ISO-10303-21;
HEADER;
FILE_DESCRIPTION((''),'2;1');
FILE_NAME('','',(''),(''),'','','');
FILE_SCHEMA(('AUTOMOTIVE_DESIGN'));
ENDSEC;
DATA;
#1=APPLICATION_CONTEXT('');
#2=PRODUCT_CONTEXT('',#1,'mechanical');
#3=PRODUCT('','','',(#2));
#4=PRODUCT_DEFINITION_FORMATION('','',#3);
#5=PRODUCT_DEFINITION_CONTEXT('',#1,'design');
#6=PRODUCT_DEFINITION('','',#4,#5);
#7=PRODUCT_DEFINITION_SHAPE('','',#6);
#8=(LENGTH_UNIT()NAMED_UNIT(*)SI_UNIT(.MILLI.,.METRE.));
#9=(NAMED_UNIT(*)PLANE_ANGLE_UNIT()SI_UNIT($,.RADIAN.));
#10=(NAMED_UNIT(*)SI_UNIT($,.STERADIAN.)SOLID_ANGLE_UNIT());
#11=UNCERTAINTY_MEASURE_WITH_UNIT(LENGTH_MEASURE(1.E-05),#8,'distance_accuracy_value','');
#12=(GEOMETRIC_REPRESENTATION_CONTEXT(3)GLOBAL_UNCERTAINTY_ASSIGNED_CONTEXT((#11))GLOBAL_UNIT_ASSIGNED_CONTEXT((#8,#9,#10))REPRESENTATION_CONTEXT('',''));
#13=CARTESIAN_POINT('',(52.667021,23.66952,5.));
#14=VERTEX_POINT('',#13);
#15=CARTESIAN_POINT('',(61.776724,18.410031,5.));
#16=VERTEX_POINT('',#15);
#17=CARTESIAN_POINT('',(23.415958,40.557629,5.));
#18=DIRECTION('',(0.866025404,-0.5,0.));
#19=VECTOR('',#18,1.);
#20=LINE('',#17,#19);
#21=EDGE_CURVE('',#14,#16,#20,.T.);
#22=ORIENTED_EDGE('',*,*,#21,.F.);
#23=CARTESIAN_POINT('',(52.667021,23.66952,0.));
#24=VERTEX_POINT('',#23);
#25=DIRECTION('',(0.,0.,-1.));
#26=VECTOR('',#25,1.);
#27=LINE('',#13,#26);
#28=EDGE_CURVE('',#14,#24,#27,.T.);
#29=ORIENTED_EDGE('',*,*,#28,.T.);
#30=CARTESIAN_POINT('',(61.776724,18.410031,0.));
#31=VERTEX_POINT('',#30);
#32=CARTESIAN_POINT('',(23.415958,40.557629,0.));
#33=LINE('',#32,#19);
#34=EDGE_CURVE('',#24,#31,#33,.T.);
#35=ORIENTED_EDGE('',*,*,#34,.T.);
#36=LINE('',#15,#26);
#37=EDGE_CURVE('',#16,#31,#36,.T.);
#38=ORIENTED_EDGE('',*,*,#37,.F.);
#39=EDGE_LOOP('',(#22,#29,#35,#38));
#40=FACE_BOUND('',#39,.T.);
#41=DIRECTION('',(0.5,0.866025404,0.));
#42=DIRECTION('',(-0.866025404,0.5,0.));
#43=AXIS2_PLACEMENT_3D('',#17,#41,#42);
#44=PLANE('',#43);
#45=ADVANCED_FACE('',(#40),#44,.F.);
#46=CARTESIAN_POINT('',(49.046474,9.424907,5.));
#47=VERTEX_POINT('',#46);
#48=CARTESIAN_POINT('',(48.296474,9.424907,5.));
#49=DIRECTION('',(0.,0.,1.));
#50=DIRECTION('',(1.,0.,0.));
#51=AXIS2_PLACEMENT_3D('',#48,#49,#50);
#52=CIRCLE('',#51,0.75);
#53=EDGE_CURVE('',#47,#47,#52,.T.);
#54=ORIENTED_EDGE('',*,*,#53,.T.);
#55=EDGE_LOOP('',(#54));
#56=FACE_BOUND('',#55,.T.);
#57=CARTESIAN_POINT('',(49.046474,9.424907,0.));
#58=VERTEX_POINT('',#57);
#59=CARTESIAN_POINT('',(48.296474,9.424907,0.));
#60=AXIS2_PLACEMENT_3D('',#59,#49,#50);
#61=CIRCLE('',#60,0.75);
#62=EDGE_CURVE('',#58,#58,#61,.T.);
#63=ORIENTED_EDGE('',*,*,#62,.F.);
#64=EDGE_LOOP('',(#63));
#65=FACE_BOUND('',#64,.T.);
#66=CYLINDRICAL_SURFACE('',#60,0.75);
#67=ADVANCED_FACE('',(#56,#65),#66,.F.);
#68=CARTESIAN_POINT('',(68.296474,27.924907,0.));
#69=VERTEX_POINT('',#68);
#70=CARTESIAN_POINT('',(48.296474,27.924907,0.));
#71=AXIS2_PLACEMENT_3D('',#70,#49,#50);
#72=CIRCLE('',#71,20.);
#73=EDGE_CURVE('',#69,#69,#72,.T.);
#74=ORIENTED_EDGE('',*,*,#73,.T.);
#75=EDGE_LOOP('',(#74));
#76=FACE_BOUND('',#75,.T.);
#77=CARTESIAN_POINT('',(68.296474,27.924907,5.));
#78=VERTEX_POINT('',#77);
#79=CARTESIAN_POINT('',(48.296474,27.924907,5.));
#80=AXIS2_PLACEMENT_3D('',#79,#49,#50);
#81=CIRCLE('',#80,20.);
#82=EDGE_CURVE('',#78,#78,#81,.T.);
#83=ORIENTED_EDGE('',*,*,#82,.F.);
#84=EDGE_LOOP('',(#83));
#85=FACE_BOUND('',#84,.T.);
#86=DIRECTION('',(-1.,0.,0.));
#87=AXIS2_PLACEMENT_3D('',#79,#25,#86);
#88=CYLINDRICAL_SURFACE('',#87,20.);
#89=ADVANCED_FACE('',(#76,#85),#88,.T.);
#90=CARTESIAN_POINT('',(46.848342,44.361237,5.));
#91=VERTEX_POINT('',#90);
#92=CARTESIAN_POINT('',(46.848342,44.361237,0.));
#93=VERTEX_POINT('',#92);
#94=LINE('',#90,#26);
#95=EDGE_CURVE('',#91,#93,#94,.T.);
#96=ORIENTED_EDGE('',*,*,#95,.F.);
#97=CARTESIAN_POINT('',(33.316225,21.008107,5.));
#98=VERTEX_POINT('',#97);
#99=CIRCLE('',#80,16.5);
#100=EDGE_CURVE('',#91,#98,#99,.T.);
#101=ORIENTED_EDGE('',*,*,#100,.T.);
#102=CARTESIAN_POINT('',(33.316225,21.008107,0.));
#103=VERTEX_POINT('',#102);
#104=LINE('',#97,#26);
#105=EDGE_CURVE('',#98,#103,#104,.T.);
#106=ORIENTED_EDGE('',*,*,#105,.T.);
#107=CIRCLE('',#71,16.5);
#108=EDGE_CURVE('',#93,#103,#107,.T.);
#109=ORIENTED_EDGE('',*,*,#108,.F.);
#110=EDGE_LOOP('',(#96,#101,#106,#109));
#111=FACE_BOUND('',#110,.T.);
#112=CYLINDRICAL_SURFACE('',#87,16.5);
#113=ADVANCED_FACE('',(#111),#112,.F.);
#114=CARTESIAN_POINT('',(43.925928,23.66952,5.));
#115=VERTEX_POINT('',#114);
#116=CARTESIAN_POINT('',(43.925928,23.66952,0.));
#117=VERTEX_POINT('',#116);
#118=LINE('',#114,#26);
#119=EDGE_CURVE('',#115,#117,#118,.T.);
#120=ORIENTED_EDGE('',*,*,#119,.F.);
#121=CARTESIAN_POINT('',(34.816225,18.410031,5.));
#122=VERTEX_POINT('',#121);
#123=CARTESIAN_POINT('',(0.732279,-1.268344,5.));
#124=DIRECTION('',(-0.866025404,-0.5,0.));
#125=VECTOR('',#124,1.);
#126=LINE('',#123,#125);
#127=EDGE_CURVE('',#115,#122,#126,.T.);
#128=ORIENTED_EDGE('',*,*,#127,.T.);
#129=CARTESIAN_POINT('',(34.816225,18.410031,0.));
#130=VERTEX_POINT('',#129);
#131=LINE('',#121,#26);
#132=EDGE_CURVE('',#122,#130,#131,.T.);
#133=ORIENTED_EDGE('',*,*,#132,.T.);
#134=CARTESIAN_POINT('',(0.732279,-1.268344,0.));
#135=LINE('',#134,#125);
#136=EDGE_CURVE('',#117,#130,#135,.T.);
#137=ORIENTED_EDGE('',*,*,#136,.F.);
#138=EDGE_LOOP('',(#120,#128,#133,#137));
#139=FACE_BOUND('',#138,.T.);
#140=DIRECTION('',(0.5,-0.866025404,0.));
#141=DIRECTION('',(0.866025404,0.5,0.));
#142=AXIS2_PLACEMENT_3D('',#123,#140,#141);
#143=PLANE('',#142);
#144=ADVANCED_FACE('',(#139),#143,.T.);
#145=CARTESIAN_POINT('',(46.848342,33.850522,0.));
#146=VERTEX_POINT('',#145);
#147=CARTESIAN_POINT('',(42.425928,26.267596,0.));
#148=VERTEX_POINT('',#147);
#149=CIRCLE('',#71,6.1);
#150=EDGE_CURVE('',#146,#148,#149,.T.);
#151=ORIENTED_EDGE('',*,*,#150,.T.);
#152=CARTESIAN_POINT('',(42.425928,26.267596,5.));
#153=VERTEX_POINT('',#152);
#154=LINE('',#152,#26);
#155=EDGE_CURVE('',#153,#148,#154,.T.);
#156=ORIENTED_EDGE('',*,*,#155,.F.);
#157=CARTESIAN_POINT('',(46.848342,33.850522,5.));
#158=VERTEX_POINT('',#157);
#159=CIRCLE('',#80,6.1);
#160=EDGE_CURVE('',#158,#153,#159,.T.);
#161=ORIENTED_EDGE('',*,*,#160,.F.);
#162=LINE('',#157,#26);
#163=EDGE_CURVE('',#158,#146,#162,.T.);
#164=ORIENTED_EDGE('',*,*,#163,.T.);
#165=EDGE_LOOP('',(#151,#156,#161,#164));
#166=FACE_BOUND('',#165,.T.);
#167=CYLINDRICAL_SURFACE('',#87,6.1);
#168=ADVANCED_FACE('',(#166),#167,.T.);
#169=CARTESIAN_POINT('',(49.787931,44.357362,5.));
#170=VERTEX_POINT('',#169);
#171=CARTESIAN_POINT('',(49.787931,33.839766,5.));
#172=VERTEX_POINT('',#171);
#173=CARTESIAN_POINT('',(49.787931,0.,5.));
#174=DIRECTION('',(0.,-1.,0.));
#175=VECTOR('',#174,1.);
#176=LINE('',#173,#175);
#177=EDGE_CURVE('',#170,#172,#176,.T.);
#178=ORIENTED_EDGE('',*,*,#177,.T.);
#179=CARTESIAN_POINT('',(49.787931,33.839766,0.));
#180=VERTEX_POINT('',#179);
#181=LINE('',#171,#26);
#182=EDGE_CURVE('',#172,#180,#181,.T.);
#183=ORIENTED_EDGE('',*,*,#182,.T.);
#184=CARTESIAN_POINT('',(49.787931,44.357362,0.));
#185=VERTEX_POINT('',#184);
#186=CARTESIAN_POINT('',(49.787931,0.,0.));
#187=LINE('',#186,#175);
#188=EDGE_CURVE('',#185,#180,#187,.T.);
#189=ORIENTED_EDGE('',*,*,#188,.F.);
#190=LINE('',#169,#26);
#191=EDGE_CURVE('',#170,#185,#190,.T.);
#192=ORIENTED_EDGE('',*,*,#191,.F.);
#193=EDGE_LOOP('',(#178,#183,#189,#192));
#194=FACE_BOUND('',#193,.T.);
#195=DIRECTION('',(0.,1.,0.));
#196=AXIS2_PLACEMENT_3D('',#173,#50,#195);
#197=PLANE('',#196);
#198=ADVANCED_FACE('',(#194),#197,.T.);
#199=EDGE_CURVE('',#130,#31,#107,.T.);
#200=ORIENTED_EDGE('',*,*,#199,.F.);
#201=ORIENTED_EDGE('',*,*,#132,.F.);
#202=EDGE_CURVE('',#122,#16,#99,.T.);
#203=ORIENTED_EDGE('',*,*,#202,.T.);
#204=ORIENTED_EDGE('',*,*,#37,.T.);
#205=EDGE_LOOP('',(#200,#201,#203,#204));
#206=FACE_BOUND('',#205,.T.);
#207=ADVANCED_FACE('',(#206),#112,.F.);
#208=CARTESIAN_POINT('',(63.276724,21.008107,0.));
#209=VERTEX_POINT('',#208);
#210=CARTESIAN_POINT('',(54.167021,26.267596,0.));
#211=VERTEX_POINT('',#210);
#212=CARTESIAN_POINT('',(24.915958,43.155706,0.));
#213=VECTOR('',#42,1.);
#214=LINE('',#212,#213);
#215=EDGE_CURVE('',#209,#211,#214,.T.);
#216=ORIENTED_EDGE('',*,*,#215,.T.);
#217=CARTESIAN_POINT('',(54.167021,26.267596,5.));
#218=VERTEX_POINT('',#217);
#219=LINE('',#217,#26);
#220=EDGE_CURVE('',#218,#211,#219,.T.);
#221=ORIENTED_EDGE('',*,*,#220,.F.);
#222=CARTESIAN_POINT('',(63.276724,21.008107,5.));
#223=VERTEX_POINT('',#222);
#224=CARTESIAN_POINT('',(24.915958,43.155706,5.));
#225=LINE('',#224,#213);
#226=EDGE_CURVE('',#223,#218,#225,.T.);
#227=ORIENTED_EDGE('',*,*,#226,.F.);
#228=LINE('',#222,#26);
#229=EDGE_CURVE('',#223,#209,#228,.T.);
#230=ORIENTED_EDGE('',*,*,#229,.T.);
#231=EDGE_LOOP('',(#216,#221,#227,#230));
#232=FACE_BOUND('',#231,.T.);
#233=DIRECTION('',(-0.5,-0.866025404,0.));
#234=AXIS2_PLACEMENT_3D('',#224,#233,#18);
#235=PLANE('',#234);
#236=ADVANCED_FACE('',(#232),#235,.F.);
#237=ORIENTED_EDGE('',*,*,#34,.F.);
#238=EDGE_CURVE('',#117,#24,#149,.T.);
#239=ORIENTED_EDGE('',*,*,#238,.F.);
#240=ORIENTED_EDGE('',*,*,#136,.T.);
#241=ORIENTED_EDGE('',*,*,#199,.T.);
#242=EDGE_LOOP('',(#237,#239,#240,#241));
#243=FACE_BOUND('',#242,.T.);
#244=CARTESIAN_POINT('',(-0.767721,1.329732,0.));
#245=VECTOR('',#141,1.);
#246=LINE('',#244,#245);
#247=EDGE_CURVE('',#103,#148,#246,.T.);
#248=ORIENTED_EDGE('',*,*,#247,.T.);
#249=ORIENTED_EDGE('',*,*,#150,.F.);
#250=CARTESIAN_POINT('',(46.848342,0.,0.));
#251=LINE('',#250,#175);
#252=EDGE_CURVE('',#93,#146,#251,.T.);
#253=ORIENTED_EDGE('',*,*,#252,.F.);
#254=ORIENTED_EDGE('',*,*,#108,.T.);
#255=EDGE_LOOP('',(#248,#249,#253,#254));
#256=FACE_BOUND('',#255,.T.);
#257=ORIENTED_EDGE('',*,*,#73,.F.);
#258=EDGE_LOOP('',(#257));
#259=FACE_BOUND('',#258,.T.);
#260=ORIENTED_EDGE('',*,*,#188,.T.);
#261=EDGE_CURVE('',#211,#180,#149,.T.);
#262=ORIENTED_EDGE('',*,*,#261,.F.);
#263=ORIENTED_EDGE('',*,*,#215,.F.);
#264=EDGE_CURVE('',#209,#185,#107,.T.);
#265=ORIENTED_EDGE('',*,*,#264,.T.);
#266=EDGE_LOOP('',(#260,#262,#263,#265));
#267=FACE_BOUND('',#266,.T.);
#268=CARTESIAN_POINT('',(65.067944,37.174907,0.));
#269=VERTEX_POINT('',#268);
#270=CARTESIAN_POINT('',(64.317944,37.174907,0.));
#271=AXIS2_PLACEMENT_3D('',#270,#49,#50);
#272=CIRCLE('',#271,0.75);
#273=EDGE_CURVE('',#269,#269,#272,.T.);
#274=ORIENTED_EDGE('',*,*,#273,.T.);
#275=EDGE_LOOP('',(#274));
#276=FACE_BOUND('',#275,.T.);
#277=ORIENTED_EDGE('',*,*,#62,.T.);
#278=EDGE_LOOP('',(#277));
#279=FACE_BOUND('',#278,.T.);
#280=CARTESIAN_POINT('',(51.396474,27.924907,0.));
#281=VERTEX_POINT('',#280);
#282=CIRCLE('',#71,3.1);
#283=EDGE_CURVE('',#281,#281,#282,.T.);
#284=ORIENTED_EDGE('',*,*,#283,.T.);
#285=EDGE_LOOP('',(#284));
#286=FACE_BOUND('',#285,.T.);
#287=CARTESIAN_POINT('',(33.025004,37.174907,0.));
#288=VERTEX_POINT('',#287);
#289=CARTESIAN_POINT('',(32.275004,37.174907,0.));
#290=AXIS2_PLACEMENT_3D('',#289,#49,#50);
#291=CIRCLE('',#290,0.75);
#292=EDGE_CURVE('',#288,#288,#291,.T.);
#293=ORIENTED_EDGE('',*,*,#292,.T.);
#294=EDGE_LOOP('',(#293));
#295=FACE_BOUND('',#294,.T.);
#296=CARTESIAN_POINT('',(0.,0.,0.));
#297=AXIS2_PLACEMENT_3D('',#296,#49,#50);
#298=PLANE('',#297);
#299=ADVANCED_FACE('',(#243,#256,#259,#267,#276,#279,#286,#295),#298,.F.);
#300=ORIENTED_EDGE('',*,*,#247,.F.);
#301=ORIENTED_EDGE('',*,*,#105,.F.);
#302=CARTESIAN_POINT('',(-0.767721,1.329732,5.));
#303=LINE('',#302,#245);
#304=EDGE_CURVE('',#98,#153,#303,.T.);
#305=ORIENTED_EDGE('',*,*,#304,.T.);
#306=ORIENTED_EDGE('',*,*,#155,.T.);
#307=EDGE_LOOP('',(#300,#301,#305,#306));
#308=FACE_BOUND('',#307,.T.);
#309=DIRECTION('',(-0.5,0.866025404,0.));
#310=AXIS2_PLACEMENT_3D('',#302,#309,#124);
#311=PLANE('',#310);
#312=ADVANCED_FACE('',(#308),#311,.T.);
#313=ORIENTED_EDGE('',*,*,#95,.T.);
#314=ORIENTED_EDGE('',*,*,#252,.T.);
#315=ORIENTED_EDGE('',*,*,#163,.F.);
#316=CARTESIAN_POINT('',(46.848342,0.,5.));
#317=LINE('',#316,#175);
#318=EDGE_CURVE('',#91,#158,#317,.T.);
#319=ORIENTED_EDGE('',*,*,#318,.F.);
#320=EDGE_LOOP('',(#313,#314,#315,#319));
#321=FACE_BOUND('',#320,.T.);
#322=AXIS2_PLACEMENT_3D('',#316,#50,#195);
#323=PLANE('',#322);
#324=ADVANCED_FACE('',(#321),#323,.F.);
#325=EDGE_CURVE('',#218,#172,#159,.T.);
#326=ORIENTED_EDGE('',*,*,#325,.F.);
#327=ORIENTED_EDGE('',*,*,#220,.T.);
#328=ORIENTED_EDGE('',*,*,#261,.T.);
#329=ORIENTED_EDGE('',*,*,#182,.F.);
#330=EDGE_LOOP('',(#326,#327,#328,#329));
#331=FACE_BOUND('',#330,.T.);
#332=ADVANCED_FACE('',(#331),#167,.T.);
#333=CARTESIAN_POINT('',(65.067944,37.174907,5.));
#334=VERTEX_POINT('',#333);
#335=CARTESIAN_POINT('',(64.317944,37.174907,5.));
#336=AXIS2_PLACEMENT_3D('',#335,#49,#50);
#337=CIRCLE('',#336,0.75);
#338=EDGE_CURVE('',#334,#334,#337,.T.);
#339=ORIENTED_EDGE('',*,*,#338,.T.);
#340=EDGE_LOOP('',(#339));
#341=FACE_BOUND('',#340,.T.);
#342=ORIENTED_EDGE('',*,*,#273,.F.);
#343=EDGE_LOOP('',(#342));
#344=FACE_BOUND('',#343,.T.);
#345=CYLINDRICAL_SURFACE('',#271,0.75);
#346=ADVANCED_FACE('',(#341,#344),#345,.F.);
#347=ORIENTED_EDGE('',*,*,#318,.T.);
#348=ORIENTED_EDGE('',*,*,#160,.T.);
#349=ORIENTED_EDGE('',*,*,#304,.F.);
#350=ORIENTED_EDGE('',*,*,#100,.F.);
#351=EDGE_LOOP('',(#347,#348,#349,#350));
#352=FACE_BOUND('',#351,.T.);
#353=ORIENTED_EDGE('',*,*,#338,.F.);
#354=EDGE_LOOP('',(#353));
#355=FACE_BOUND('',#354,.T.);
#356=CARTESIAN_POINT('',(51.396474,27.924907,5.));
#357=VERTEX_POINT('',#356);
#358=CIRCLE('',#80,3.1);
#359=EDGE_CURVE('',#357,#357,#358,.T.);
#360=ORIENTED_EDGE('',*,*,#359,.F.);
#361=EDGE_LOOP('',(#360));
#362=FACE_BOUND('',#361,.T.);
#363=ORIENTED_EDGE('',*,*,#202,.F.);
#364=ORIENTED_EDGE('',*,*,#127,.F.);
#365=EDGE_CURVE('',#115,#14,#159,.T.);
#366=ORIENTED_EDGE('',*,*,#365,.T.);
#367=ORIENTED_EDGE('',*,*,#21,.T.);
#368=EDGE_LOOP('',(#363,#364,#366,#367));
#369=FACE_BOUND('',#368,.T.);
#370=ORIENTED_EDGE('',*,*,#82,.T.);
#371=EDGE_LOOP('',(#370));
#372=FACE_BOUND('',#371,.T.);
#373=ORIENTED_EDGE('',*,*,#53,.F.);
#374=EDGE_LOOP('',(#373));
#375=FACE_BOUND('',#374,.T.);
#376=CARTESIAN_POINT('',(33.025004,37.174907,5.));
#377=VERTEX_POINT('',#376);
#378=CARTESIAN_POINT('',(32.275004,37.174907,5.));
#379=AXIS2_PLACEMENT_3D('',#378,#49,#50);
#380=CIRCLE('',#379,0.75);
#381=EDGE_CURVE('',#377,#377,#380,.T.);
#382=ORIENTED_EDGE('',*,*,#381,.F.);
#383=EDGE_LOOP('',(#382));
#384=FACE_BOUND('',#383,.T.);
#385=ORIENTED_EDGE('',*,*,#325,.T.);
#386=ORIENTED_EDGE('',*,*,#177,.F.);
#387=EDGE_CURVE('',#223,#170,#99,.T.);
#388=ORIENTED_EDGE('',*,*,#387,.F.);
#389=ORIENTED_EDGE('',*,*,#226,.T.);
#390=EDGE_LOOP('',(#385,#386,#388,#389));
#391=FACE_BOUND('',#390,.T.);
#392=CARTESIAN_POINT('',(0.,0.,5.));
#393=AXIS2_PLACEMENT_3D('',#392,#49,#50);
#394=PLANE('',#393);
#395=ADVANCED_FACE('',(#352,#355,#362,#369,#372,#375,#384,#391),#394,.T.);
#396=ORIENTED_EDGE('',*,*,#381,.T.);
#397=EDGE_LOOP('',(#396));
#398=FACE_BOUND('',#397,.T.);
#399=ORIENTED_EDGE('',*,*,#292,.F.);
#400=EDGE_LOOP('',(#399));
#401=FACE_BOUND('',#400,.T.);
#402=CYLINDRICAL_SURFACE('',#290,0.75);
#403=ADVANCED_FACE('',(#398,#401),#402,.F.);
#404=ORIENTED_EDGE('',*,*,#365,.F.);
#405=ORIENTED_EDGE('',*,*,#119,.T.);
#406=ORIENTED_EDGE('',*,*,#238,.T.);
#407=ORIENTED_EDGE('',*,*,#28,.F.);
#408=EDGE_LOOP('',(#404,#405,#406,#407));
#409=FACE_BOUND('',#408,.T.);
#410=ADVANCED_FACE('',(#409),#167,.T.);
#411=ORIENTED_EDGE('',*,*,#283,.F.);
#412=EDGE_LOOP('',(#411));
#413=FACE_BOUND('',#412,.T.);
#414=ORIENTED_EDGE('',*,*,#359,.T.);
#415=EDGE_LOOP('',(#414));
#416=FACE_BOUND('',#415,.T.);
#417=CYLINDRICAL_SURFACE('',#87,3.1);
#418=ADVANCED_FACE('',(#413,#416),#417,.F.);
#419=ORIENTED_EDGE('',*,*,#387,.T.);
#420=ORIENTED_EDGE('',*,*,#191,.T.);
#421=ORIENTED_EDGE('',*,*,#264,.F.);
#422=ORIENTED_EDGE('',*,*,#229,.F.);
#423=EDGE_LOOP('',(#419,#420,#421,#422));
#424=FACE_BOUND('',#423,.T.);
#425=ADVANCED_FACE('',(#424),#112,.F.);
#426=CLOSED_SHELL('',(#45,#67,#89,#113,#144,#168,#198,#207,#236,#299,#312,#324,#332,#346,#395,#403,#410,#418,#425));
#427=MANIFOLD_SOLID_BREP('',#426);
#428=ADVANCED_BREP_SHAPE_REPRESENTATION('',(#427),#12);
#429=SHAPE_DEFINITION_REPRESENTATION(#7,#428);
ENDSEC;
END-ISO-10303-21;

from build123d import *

# Parameters (mm, degrees)
SKETCH_1_R          = 3.1
EXTRUDE_2_DEPTH     = 5
SKETCH_2_R          = 0.75
CUT_EXTRUDE_1_DEPTH = 5


with BuildPart() as part:
    # 草图1 → 凸台-拉伸2 (new body)
    # profile 1 of 13: a face of its own
    with BuildSketch(Plane.XY):
        with BuildLine():
            ThreePointArc((46.84834221, 47.872411392), (30.988983248, 37.947419694), (30.274748906, 19.252110223))
            Line((30.274748906, 19.252110223), (33.316224884, 21.008107198))
            ThreePointArc((33.316224884, 21.008107198), (34.020092006, 36.197446789), (46.84834221, 44.361236525))
            Line((46.84834221, 44.361236525), (46.84834221, 47.872411392))
        make_face()
    # profile 2 of 13: a face of its own
    with BuildSketch(Plane.XY):
        with BuildLine():
            Line((63.276723826, 21.008107198), (66.318199804, 19.252110223))
            ThreePointArc((66.318199804, 19.252110223), (67.795634709, 23.477127615), (68.296474355, 27.924907455))
            ThreePointArc((68.296474355, 27.924907455), (62.956439097, 41.529518209), (49.787930978, 47.869218853))
            Line((49.787930978, 47.869218853), (49.787930978, 44.357361841))
            ThreePointArc((49.787930978, 44.357361841), (60.479639672, 39.052372704), (64.796474355, 27.924907455))
            ThreePointArc((64.796474355, 27.924907455), (64.41205868, 24.384011825), (63.276723826, 21.008107198))
        make_face()
    # profile 3 of 13: a face of its own
    with BuildSketch(Plane.XY):
        with BuildLine():
            ThreePointArc((31.774748906, 16.654034012), (48.296474355, 7.924907455), (64.818199804, 16.654034012))
            Line((64.818199804, 16.654034012), (61.776723826, 18.410030987))
            ThreePointArc((61.776723826, 18.410030987), (48.296474355, 11.424907455), (34.816224884, 18.410030987))
            Line((34.816224884, 18.410030987), (31.774748906, 16.654034012))
        make_face()
    # profile 4 of 13: a face of its own
    with BuildSketch(Plane.XY):
        with BuildLine():
            ThreePointArc((30.274748906, 19.252110223), (30.975966279, 17.924907455), (31.774748906, 16.654034012))
            Line((31.774748906, 16.654034012), (34.816224884, 18.410030987))
            ThreePointArc((34.816224884, 18.410030987), (34.007055193, 19.674907455), (33.316224884, 21.008107198))
            Line((33.316224884, 21.008107198), (30.274748906, 19.252110223))
        make_face()
    # profile 5 of 13: a face of its own
    with BuildSketch(Plane.XY):
        with BuildLine():
            ThreePointArc((33.316224884, 21.008107198), (34.007055193, 19.674907455), (34.816224884, 18.410030987))
            Line((34.816224884, 18.410030987), (43.925927509, 23.66952025))
            ThreePointArc((43.925927509, 23.66952025), (43.013719392, 24.874907455), (42.425927509, 26.267596461))
            Line((42.425927509, 26.267596461), (33.316224884, 21.008107198))
        make_face()
    # profile 6 of 13: a face of its own
    with BuildSketch(Plane.XY):
        with BuildLine():
            Line((52.565394479, 27.19229608), (54.167021201, 26.267596461))
            ThreePointArc((54.167021201, 26.267596461), (54.338838783, 27.088347762), (54.396474355, 27.924907455))
            ThreePointArc((54.396474355, 27.924907455), (53.108328748, 31.67404833), (49.787930978, 33.839766468))
            Line((49.787930978, 33.839766468), (49.787930978, 32.638782116))
            Line((49.787930978, 32.638782116), (46.84834221, 32.638782116))
            Line((46.84834221, 32.638782116), (46.84834221, 33.850522469))
            ThreePointArc((46.84834221, 33.850522469), (43.027133101, 30.998023585), (42.425927509, 26.267596461))
            Line((42.425927509, 26.267596461), (43.927397053, 27.134470306))
            Line((43.927397053, 27.134470306), (45.427397053, 24.536394095))
            Line((45.427397053, 24.536394095), (43.925927509, 23.66952025))
            ThreePointArc((43.925927509, 23.66952025), (48.296474355, 21.824907455), (52.667021201, 23.66952025))
            Line((52.667021201, 23.66952025), (51.065394479, 24.594219869))
            Line((51.065394479, 24.594219869), (52.565394479, 27.19229608))
        make_face()
        with Locations((48.296474355, 27.924907455)):
            Circle(SKETCH_1_R, mode=Mode.SUBTRACT)
    # profile 7 of 13: a face of its own
    with BuildSketch(Plane.XY):
        with BuildLine():
            ThreePointArc((42.425927509, 26.267596461), (43.013719392, 24.874907455), (43.925927509, 23.66952025))
            Line((43.925927509, 23.66952025), (45.427397053, 24.536394095))
            Line((45.427397053, 24.536394095), (43.927397053, 27.134470306))
            Line((43.927397053, 27.134470306), (42.425927509, 26.267596461))
        make_face()
    # profile 8 of 13: a face of its own
    with BuildSketch(Plane.XY):
        with BuildLine():
            ThreePointArc((52.667021201, 23.66952025), (53.579229318, 24.874907455), (54.167021201, 26.267596461))
            Line((54.167021201, 26.267596461), (52.565394479, 27.19229608))
            Line((52.565394479, 27.19229608), (51.065394479, 24.594219869))
            Line((51.065394479, 24.594219869), (52.667021201, 23.66952025))
        make_face()
    # profile 9 of 13: a face of its own
    with BuildSketch(Plane.XY):
        with BuildLine():
            Line((49.787930978, 32.638782116), (49.787930978, 33.839766468))
            ThreePointArc((49.787930978, 33.839766468), (48.3187942, 34.024866621), (46.84834221, 33.850522469))
            Line((46.84834221, 33.850522469), (46.84834221, 32.638782116))
            Line((46.84834221, 32.638782116), (49.787930978, 32.638782116))
        make_face()
    # profile 10 of 13: a face of its own
    with BuildSketch(Plane.XY):
        with BuildLine():
            Line((49.787930978, 33.839766468), (49.787930978, 44.357361841))
            ThreePointArc((49.787930978, 44.357361841), (48.318223053, 44.424893122), (46.84834221, 44.361236525))
            Line((46.84834221, 44.361236525), (46.84834221, 33.850522469))
            ThreePointArc((46.84834221, 33.850522469), (48.3187942, 34.024866621), (49.787930978, 33.839766468))
        make_face()
    # profile 11 of 13: a face of its own
    with BuildSketch(Plane.XY):
        with BuildLine():
            ThreePointArc((61.776723826, 18.410030987), (62.585893517, 19.674907455), (63.276723826, 21.008107198))
            Line((63.276723826, 21.008107198), (54.167021201, 26.267596461))
            ThreePointArc((54.167021201, 26.267596461), (53.579229318, 24.874907455), (52.667021201, 23.66952025))
            Line((52.667021201, 23.66952025), (61.776723826, 18.410030987))
        make_face()
    # profile 12 of 13: a face of its own
    with BuildSketch(Plane.XY):
        with BuildLine():
            ThreePointArc((64.818199804, 16.654034012), (65.616982431, 17.924907455), (66.318199804, 19.252110223))
            Line((66.318199804, 19.252110223), (63.276723826, 21.008107198))
            ThreePointArc((63.276723826, 21.008107198), (62.585893517, 19.674907455), (61.776723826, 18.410030987))
            Line((61.776723826, 18.410030987), (64.818199804, 16.654034012))
        make_face()
    # profile 13 of 13: a face of its own
    with BuildSketch(Plane.XY):
        with BuildLine():
            Line((49.787930978, 44.357361841), (49.787930978, 47.869218853))
            ThreePointArc((49.787930978, 47.869218853), (48.318195328, 47.92489566), (46.84834221, 47.872411392))
            Line((46.84834221, 47.872411392), (46.84834221, 44.361236525))
            ThreePointArc((46.84834221, 44.361236525), (48.318223053, 44.424893122), (49.787930978, 44.357361841))
        make_face()
    extrude(amount=EXTRUDE_2_DEPTH)

    # 草图2 → 切除-拉伸1 (cut)
    with BuildSketch(Plane.XY.offset(5)):
        with Locations((32.275004385, 37.174907455)):
            Circle(SKETCH_2_R)
        with Locations((64.317944325, 37.174907455)):
            Circle(SKETCH_2_R)
        with Locations((48.296474355, 9.424907455)):
            Circle(SKETCH_2_R)
    extrude(amount=-CUT_EXTRUDE_1_DEPTH, mode=Mode.SUBTRACT)


solid = part.part
